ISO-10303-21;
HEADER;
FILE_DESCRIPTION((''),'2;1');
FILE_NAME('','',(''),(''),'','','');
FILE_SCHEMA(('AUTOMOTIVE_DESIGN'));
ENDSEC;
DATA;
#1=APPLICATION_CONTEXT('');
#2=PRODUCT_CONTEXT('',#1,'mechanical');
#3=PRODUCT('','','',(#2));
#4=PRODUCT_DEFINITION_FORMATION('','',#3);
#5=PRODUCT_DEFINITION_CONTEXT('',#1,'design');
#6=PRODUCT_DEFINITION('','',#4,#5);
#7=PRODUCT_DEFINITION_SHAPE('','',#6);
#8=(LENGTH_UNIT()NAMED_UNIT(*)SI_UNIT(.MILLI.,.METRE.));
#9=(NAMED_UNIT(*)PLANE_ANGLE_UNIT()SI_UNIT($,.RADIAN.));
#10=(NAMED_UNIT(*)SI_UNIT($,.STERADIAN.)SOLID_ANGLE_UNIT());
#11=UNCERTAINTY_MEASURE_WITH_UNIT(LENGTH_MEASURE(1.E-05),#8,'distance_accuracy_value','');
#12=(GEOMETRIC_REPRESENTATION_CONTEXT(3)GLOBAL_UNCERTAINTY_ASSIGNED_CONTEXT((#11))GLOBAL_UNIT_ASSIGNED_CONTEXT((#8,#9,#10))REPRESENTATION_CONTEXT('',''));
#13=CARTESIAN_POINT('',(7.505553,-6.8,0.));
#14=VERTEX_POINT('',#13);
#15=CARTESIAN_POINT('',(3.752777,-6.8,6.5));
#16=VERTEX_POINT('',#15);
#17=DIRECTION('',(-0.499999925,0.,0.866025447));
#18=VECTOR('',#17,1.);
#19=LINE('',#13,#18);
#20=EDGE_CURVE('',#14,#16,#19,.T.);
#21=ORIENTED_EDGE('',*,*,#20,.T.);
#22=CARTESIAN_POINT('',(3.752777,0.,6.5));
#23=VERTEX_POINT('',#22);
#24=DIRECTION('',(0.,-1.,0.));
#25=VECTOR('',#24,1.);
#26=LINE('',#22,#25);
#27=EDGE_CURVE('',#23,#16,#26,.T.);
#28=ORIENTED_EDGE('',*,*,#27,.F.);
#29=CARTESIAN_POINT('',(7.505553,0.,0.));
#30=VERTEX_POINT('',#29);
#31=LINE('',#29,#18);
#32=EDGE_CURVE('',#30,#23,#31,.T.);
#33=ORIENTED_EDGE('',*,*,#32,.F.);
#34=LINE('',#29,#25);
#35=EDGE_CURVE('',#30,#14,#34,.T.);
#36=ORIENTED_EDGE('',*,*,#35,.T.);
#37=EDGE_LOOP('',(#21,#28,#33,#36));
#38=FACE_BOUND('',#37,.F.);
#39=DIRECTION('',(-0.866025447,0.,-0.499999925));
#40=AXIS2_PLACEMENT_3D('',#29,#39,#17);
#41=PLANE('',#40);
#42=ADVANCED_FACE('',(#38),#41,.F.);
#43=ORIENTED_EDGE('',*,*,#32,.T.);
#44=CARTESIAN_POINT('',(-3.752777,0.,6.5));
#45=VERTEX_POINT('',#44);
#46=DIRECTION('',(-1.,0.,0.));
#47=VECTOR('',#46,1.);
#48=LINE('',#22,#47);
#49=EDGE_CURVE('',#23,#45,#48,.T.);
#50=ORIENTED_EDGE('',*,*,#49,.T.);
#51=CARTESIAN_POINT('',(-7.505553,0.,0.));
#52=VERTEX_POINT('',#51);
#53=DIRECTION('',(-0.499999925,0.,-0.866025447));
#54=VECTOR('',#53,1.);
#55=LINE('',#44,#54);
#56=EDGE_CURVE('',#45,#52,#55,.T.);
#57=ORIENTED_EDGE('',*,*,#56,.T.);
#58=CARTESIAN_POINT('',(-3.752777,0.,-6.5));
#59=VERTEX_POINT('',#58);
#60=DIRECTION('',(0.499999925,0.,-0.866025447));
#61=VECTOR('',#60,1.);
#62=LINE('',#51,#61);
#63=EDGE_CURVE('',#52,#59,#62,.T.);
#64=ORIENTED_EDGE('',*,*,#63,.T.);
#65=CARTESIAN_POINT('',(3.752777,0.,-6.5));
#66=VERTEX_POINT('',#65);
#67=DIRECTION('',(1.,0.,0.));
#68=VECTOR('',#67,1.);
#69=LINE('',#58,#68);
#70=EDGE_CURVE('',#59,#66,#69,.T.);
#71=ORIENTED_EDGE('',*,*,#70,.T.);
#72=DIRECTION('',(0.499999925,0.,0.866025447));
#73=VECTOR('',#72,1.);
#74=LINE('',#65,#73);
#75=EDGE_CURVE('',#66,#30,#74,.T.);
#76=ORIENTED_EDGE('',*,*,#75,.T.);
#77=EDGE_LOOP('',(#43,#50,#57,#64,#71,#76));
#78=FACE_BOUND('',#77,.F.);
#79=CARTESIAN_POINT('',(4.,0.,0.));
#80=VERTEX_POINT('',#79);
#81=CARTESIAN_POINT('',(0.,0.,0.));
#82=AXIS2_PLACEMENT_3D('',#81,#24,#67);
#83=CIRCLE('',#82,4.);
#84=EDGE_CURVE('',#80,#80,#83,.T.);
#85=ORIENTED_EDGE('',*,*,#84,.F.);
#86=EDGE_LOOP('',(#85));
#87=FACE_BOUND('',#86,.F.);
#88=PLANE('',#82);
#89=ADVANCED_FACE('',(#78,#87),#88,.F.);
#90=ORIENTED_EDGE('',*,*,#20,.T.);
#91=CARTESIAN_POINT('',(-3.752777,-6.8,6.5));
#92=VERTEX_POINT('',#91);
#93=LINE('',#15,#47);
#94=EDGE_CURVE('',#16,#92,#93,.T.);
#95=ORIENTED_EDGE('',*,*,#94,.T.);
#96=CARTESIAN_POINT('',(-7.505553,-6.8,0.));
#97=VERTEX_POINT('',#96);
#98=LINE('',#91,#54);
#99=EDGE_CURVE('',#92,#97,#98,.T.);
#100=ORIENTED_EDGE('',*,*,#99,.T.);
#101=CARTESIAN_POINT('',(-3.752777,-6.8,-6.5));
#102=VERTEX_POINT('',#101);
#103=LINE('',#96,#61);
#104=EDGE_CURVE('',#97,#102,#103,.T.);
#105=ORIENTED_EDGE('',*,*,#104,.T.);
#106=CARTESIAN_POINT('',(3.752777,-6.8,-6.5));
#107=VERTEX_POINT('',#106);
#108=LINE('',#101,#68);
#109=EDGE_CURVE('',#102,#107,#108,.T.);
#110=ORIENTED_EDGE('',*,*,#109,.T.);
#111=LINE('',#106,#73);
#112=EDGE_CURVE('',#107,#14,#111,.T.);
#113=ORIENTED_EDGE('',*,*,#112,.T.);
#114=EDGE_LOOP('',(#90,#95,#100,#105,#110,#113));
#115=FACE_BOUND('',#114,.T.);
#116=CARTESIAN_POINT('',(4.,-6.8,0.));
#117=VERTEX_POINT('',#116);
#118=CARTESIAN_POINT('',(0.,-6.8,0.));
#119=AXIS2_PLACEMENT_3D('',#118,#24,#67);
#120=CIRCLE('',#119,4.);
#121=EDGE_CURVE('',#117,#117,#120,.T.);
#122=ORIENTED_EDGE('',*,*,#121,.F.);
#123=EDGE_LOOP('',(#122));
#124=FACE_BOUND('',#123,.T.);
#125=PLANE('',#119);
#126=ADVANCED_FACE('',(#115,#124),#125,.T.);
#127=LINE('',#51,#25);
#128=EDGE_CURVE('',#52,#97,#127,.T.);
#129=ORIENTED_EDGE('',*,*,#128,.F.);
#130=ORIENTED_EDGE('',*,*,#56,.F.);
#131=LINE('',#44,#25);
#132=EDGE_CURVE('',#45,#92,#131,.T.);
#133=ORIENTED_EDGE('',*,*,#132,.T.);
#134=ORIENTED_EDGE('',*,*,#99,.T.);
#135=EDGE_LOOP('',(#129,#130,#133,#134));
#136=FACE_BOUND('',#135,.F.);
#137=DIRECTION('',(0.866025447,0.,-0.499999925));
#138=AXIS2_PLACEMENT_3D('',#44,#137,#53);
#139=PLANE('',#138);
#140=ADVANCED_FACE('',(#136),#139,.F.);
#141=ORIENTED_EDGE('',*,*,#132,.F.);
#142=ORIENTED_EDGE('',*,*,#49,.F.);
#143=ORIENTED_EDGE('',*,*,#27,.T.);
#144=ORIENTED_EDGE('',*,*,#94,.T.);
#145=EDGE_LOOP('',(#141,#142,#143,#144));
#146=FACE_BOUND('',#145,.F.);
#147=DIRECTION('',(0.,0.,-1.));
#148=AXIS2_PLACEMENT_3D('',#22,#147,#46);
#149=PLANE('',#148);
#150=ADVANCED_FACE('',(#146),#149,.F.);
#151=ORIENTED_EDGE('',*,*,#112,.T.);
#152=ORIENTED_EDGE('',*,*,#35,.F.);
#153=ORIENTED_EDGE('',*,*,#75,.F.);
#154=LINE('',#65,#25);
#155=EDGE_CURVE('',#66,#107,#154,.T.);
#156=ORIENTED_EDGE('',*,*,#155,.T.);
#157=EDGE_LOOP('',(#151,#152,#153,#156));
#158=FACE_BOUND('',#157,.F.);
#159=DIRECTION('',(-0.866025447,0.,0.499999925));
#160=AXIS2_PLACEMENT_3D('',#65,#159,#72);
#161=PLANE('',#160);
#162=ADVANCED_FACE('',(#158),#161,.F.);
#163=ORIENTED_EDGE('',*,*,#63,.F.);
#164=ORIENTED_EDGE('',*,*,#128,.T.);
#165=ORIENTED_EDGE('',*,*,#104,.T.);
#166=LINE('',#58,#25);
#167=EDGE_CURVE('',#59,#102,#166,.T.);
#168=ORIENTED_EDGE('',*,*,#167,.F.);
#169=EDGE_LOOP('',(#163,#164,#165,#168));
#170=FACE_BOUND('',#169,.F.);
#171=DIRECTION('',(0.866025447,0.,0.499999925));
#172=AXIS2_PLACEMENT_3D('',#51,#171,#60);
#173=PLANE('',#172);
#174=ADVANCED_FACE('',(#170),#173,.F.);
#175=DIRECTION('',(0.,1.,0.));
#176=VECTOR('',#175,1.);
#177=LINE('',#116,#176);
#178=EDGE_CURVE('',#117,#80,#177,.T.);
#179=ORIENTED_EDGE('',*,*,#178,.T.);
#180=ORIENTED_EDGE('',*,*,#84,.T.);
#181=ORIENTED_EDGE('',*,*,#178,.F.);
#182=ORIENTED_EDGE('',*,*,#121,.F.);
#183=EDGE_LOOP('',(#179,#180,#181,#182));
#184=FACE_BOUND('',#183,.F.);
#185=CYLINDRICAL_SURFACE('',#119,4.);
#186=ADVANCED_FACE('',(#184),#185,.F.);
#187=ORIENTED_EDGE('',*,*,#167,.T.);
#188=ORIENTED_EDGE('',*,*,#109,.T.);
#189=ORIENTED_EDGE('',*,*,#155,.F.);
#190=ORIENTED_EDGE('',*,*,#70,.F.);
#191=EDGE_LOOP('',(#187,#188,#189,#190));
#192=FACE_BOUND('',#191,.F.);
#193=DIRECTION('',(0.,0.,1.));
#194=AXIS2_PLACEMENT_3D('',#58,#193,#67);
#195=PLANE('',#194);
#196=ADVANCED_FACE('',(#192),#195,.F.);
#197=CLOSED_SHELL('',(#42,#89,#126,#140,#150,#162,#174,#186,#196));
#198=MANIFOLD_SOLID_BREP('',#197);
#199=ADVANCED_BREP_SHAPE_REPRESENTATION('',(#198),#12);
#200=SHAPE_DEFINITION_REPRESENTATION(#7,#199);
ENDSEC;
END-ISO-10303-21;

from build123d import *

# Parameters (mm, degrees)
F1_DEPTH = 6.8
F2_R     = 4
F3_DEPTH = 6.801


with BuildPart() as f1:
    # F0 (on Front) → F1 (new body)
    with BuildSketch(Plane.XZ):
        Polygon((3.752777, -6.5), (7.505553, 0), (3.752777, 6.5), (-3.752777, 6.5), (-7.505553, 0), (-3.752777, -6.5), align=None)
    extrude(amount=F1_DEPTH)

    # F2 (on face) → F3 (cut, through all)
    with BuildSketch(Plane.XZ.offset(6.8)):
        Circle(F2_R)
    extrude(amount=-F3_DEPTH, mode=Mode.SUBTRACT)


solid = f1.part
